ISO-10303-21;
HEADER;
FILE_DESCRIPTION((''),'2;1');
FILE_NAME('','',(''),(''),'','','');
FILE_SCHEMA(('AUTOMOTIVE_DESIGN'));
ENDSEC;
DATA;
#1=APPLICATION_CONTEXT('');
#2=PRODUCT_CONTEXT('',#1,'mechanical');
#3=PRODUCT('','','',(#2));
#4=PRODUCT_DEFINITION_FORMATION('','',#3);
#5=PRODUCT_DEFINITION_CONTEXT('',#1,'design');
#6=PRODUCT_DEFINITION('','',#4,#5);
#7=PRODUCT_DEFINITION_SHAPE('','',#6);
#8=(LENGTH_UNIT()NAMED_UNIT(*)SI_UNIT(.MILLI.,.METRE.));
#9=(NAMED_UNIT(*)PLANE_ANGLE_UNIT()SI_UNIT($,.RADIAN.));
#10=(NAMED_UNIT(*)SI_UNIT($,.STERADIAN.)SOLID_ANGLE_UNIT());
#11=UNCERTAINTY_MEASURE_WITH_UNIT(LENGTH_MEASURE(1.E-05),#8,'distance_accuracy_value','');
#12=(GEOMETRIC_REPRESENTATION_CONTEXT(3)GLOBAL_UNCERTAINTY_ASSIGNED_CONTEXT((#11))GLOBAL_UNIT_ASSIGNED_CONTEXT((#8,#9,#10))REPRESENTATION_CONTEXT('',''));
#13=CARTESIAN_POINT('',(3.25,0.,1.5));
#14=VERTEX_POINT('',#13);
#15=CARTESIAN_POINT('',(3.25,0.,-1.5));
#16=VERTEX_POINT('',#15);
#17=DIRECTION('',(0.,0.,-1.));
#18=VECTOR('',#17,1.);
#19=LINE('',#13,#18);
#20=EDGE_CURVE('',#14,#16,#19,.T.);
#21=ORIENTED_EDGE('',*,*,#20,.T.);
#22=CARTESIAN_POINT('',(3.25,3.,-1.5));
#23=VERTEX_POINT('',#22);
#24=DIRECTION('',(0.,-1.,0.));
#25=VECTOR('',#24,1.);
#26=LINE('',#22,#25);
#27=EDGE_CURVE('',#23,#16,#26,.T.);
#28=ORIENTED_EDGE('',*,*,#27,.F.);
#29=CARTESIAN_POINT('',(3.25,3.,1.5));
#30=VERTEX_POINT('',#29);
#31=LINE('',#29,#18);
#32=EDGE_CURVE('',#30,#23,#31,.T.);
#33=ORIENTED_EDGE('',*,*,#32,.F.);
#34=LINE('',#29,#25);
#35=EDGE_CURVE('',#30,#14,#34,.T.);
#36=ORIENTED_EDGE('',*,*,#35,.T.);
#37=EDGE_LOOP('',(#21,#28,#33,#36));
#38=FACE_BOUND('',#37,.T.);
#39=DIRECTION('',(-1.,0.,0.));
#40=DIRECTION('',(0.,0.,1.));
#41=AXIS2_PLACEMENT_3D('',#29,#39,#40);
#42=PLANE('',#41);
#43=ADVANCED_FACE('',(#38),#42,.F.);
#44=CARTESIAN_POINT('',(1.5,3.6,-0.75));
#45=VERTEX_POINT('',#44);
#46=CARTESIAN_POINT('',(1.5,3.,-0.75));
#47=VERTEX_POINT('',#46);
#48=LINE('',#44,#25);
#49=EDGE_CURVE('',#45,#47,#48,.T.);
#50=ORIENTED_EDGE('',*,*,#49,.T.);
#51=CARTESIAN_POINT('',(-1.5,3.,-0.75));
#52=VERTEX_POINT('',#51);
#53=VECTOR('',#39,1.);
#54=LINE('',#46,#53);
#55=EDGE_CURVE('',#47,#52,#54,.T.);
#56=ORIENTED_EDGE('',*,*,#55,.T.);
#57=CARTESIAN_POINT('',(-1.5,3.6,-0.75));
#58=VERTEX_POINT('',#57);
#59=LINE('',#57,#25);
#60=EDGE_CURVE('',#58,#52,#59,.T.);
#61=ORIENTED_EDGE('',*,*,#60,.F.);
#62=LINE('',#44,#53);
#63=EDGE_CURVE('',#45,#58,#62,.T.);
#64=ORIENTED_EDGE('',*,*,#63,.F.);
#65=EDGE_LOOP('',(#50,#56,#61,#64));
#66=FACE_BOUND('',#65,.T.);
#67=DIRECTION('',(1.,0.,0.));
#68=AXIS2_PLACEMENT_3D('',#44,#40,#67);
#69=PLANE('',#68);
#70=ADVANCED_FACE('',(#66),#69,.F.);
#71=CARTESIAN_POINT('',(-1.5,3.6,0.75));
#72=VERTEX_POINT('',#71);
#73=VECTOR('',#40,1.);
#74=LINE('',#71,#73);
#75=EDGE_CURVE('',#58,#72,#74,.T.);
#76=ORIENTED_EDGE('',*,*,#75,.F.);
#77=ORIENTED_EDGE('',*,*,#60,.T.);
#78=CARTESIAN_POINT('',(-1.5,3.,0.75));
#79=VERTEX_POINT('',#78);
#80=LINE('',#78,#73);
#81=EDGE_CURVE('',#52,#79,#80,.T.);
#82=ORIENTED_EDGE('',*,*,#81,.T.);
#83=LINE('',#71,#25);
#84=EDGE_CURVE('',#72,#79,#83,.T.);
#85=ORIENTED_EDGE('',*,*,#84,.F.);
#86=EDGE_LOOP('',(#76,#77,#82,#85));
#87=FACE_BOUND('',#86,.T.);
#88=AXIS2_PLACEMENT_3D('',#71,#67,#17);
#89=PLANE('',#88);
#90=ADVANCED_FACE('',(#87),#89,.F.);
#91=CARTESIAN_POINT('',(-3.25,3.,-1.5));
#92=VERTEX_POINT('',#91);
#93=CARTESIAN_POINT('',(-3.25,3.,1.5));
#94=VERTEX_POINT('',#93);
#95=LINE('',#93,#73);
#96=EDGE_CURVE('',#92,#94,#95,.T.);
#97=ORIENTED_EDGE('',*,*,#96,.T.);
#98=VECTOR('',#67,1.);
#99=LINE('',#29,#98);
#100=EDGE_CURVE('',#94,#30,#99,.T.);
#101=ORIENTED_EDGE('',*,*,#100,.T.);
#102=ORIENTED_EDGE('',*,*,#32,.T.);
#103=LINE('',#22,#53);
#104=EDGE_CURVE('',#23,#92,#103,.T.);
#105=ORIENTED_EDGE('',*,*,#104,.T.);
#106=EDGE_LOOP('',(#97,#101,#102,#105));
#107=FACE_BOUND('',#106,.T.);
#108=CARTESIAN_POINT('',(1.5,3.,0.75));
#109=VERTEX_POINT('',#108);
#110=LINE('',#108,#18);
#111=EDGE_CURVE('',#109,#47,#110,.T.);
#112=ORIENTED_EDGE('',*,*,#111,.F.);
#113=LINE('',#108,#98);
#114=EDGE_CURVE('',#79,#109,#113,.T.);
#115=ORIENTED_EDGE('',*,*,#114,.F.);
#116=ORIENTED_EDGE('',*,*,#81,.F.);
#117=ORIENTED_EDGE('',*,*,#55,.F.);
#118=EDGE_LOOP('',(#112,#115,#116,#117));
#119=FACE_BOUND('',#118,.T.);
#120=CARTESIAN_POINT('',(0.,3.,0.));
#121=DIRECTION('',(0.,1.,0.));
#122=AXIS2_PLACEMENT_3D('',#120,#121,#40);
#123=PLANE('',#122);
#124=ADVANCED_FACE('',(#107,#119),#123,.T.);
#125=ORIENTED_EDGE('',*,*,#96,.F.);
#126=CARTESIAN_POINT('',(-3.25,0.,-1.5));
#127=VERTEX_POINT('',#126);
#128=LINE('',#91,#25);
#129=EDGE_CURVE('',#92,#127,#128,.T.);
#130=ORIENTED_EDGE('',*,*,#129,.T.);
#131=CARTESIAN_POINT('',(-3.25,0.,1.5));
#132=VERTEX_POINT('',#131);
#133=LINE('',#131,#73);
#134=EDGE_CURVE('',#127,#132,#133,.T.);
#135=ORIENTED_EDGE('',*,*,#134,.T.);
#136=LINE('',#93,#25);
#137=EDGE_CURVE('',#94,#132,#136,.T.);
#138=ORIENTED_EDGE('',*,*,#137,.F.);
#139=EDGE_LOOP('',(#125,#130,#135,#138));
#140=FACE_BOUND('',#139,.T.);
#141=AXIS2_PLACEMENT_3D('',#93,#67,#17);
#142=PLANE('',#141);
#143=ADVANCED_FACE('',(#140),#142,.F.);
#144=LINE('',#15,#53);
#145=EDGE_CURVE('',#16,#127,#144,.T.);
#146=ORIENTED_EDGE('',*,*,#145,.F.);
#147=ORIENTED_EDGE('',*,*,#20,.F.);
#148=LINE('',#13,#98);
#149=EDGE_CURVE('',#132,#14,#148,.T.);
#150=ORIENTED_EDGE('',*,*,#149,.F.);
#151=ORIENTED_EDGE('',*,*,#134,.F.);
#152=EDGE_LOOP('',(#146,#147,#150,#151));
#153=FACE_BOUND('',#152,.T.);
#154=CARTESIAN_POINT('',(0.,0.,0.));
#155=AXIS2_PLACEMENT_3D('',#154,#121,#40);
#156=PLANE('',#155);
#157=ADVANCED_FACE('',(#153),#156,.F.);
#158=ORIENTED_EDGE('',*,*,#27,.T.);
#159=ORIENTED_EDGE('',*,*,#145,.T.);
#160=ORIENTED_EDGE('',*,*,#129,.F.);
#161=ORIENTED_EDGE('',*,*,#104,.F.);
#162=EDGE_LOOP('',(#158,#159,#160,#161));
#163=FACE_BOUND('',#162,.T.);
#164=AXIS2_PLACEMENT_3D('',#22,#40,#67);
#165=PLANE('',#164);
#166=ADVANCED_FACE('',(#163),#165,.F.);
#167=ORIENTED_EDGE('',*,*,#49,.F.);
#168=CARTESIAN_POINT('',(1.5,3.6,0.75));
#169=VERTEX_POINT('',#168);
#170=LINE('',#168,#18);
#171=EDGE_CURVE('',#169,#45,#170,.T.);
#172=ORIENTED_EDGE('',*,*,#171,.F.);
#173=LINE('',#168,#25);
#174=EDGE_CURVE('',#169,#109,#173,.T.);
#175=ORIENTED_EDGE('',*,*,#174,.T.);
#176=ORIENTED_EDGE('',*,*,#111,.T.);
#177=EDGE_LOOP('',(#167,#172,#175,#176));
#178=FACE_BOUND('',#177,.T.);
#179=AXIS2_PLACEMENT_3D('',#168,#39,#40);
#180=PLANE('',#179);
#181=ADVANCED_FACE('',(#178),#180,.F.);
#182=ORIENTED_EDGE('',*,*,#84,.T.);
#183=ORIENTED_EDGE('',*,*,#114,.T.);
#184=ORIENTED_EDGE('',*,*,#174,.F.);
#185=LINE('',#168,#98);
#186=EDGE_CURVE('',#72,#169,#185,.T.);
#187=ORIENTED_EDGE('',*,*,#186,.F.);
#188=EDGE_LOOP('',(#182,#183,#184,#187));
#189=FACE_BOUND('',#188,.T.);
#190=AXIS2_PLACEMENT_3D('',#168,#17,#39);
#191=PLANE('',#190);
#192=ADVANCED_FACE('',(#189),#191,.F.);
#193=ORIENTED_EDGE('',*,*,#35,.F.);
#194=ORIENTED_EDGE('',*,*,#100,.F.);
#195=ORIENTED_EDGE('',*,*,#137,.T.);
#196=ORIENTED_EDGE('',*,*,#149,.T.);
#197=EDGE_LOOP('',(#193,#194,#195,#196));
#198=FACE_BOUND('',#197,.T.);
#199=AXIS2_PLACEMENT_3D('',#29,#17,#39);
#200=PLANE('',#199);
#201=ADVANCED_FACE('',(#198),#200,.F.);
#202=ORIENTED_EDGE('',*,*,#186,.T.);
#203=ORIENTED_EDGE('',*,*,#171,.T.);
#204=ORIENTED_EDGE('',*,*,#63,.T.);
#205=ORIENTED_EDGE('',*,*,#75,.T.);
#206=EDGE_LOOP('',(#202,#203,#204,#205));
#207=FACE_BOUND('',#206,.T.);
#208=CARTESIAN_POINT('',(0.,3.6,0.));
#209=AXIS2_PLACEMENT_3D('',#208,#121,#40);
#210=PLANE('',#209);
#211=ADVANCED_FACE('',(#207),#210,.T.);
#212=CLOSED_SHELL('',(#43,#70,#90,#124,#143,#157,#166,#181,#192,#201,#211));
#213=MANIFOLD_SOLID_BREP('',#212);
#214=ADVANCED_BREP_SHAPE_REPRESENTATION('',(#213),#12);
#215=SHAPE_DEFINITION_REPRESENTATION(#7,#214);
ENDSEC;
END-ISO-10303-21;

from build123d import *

# Parameters (mm, degrees)
SKETCH1_W           = 6.5
SKETCH1_H           = 3
BOSS_EXTRUDE1_DEPTH = 3
SKETCH2_W           = 3
SKETCH2_H           = 1.5
BOSS_EXTRUDE2_DEPTH = 0.6


with BuildPart() as part:
    # Sketch1 → Boss-Extrude1 (new body)
    with BuildSketch(Plane(origin=(0, 0, 0), x_dir=(1, 0, 0), z_dir=(0, 1, 0))):
        Rectangle(SKETCH1_W, SKETCH1_H)
    extrude(amount=BOSS_EXTRUDE1_DEPTH)

    # Sketch2 → Boss-Extrude2 (add)
    with BuildSketch(Plane(origin=(0, 3, 0), x_dir=(1, 0, 0), z_dir=(0, 1, 0))):
        Rectangle(SKETCH2_W, SKETCH2_H)
    extrude(amount=BOSS_EXTRUDE2_DEPTH)


solid = part.part
